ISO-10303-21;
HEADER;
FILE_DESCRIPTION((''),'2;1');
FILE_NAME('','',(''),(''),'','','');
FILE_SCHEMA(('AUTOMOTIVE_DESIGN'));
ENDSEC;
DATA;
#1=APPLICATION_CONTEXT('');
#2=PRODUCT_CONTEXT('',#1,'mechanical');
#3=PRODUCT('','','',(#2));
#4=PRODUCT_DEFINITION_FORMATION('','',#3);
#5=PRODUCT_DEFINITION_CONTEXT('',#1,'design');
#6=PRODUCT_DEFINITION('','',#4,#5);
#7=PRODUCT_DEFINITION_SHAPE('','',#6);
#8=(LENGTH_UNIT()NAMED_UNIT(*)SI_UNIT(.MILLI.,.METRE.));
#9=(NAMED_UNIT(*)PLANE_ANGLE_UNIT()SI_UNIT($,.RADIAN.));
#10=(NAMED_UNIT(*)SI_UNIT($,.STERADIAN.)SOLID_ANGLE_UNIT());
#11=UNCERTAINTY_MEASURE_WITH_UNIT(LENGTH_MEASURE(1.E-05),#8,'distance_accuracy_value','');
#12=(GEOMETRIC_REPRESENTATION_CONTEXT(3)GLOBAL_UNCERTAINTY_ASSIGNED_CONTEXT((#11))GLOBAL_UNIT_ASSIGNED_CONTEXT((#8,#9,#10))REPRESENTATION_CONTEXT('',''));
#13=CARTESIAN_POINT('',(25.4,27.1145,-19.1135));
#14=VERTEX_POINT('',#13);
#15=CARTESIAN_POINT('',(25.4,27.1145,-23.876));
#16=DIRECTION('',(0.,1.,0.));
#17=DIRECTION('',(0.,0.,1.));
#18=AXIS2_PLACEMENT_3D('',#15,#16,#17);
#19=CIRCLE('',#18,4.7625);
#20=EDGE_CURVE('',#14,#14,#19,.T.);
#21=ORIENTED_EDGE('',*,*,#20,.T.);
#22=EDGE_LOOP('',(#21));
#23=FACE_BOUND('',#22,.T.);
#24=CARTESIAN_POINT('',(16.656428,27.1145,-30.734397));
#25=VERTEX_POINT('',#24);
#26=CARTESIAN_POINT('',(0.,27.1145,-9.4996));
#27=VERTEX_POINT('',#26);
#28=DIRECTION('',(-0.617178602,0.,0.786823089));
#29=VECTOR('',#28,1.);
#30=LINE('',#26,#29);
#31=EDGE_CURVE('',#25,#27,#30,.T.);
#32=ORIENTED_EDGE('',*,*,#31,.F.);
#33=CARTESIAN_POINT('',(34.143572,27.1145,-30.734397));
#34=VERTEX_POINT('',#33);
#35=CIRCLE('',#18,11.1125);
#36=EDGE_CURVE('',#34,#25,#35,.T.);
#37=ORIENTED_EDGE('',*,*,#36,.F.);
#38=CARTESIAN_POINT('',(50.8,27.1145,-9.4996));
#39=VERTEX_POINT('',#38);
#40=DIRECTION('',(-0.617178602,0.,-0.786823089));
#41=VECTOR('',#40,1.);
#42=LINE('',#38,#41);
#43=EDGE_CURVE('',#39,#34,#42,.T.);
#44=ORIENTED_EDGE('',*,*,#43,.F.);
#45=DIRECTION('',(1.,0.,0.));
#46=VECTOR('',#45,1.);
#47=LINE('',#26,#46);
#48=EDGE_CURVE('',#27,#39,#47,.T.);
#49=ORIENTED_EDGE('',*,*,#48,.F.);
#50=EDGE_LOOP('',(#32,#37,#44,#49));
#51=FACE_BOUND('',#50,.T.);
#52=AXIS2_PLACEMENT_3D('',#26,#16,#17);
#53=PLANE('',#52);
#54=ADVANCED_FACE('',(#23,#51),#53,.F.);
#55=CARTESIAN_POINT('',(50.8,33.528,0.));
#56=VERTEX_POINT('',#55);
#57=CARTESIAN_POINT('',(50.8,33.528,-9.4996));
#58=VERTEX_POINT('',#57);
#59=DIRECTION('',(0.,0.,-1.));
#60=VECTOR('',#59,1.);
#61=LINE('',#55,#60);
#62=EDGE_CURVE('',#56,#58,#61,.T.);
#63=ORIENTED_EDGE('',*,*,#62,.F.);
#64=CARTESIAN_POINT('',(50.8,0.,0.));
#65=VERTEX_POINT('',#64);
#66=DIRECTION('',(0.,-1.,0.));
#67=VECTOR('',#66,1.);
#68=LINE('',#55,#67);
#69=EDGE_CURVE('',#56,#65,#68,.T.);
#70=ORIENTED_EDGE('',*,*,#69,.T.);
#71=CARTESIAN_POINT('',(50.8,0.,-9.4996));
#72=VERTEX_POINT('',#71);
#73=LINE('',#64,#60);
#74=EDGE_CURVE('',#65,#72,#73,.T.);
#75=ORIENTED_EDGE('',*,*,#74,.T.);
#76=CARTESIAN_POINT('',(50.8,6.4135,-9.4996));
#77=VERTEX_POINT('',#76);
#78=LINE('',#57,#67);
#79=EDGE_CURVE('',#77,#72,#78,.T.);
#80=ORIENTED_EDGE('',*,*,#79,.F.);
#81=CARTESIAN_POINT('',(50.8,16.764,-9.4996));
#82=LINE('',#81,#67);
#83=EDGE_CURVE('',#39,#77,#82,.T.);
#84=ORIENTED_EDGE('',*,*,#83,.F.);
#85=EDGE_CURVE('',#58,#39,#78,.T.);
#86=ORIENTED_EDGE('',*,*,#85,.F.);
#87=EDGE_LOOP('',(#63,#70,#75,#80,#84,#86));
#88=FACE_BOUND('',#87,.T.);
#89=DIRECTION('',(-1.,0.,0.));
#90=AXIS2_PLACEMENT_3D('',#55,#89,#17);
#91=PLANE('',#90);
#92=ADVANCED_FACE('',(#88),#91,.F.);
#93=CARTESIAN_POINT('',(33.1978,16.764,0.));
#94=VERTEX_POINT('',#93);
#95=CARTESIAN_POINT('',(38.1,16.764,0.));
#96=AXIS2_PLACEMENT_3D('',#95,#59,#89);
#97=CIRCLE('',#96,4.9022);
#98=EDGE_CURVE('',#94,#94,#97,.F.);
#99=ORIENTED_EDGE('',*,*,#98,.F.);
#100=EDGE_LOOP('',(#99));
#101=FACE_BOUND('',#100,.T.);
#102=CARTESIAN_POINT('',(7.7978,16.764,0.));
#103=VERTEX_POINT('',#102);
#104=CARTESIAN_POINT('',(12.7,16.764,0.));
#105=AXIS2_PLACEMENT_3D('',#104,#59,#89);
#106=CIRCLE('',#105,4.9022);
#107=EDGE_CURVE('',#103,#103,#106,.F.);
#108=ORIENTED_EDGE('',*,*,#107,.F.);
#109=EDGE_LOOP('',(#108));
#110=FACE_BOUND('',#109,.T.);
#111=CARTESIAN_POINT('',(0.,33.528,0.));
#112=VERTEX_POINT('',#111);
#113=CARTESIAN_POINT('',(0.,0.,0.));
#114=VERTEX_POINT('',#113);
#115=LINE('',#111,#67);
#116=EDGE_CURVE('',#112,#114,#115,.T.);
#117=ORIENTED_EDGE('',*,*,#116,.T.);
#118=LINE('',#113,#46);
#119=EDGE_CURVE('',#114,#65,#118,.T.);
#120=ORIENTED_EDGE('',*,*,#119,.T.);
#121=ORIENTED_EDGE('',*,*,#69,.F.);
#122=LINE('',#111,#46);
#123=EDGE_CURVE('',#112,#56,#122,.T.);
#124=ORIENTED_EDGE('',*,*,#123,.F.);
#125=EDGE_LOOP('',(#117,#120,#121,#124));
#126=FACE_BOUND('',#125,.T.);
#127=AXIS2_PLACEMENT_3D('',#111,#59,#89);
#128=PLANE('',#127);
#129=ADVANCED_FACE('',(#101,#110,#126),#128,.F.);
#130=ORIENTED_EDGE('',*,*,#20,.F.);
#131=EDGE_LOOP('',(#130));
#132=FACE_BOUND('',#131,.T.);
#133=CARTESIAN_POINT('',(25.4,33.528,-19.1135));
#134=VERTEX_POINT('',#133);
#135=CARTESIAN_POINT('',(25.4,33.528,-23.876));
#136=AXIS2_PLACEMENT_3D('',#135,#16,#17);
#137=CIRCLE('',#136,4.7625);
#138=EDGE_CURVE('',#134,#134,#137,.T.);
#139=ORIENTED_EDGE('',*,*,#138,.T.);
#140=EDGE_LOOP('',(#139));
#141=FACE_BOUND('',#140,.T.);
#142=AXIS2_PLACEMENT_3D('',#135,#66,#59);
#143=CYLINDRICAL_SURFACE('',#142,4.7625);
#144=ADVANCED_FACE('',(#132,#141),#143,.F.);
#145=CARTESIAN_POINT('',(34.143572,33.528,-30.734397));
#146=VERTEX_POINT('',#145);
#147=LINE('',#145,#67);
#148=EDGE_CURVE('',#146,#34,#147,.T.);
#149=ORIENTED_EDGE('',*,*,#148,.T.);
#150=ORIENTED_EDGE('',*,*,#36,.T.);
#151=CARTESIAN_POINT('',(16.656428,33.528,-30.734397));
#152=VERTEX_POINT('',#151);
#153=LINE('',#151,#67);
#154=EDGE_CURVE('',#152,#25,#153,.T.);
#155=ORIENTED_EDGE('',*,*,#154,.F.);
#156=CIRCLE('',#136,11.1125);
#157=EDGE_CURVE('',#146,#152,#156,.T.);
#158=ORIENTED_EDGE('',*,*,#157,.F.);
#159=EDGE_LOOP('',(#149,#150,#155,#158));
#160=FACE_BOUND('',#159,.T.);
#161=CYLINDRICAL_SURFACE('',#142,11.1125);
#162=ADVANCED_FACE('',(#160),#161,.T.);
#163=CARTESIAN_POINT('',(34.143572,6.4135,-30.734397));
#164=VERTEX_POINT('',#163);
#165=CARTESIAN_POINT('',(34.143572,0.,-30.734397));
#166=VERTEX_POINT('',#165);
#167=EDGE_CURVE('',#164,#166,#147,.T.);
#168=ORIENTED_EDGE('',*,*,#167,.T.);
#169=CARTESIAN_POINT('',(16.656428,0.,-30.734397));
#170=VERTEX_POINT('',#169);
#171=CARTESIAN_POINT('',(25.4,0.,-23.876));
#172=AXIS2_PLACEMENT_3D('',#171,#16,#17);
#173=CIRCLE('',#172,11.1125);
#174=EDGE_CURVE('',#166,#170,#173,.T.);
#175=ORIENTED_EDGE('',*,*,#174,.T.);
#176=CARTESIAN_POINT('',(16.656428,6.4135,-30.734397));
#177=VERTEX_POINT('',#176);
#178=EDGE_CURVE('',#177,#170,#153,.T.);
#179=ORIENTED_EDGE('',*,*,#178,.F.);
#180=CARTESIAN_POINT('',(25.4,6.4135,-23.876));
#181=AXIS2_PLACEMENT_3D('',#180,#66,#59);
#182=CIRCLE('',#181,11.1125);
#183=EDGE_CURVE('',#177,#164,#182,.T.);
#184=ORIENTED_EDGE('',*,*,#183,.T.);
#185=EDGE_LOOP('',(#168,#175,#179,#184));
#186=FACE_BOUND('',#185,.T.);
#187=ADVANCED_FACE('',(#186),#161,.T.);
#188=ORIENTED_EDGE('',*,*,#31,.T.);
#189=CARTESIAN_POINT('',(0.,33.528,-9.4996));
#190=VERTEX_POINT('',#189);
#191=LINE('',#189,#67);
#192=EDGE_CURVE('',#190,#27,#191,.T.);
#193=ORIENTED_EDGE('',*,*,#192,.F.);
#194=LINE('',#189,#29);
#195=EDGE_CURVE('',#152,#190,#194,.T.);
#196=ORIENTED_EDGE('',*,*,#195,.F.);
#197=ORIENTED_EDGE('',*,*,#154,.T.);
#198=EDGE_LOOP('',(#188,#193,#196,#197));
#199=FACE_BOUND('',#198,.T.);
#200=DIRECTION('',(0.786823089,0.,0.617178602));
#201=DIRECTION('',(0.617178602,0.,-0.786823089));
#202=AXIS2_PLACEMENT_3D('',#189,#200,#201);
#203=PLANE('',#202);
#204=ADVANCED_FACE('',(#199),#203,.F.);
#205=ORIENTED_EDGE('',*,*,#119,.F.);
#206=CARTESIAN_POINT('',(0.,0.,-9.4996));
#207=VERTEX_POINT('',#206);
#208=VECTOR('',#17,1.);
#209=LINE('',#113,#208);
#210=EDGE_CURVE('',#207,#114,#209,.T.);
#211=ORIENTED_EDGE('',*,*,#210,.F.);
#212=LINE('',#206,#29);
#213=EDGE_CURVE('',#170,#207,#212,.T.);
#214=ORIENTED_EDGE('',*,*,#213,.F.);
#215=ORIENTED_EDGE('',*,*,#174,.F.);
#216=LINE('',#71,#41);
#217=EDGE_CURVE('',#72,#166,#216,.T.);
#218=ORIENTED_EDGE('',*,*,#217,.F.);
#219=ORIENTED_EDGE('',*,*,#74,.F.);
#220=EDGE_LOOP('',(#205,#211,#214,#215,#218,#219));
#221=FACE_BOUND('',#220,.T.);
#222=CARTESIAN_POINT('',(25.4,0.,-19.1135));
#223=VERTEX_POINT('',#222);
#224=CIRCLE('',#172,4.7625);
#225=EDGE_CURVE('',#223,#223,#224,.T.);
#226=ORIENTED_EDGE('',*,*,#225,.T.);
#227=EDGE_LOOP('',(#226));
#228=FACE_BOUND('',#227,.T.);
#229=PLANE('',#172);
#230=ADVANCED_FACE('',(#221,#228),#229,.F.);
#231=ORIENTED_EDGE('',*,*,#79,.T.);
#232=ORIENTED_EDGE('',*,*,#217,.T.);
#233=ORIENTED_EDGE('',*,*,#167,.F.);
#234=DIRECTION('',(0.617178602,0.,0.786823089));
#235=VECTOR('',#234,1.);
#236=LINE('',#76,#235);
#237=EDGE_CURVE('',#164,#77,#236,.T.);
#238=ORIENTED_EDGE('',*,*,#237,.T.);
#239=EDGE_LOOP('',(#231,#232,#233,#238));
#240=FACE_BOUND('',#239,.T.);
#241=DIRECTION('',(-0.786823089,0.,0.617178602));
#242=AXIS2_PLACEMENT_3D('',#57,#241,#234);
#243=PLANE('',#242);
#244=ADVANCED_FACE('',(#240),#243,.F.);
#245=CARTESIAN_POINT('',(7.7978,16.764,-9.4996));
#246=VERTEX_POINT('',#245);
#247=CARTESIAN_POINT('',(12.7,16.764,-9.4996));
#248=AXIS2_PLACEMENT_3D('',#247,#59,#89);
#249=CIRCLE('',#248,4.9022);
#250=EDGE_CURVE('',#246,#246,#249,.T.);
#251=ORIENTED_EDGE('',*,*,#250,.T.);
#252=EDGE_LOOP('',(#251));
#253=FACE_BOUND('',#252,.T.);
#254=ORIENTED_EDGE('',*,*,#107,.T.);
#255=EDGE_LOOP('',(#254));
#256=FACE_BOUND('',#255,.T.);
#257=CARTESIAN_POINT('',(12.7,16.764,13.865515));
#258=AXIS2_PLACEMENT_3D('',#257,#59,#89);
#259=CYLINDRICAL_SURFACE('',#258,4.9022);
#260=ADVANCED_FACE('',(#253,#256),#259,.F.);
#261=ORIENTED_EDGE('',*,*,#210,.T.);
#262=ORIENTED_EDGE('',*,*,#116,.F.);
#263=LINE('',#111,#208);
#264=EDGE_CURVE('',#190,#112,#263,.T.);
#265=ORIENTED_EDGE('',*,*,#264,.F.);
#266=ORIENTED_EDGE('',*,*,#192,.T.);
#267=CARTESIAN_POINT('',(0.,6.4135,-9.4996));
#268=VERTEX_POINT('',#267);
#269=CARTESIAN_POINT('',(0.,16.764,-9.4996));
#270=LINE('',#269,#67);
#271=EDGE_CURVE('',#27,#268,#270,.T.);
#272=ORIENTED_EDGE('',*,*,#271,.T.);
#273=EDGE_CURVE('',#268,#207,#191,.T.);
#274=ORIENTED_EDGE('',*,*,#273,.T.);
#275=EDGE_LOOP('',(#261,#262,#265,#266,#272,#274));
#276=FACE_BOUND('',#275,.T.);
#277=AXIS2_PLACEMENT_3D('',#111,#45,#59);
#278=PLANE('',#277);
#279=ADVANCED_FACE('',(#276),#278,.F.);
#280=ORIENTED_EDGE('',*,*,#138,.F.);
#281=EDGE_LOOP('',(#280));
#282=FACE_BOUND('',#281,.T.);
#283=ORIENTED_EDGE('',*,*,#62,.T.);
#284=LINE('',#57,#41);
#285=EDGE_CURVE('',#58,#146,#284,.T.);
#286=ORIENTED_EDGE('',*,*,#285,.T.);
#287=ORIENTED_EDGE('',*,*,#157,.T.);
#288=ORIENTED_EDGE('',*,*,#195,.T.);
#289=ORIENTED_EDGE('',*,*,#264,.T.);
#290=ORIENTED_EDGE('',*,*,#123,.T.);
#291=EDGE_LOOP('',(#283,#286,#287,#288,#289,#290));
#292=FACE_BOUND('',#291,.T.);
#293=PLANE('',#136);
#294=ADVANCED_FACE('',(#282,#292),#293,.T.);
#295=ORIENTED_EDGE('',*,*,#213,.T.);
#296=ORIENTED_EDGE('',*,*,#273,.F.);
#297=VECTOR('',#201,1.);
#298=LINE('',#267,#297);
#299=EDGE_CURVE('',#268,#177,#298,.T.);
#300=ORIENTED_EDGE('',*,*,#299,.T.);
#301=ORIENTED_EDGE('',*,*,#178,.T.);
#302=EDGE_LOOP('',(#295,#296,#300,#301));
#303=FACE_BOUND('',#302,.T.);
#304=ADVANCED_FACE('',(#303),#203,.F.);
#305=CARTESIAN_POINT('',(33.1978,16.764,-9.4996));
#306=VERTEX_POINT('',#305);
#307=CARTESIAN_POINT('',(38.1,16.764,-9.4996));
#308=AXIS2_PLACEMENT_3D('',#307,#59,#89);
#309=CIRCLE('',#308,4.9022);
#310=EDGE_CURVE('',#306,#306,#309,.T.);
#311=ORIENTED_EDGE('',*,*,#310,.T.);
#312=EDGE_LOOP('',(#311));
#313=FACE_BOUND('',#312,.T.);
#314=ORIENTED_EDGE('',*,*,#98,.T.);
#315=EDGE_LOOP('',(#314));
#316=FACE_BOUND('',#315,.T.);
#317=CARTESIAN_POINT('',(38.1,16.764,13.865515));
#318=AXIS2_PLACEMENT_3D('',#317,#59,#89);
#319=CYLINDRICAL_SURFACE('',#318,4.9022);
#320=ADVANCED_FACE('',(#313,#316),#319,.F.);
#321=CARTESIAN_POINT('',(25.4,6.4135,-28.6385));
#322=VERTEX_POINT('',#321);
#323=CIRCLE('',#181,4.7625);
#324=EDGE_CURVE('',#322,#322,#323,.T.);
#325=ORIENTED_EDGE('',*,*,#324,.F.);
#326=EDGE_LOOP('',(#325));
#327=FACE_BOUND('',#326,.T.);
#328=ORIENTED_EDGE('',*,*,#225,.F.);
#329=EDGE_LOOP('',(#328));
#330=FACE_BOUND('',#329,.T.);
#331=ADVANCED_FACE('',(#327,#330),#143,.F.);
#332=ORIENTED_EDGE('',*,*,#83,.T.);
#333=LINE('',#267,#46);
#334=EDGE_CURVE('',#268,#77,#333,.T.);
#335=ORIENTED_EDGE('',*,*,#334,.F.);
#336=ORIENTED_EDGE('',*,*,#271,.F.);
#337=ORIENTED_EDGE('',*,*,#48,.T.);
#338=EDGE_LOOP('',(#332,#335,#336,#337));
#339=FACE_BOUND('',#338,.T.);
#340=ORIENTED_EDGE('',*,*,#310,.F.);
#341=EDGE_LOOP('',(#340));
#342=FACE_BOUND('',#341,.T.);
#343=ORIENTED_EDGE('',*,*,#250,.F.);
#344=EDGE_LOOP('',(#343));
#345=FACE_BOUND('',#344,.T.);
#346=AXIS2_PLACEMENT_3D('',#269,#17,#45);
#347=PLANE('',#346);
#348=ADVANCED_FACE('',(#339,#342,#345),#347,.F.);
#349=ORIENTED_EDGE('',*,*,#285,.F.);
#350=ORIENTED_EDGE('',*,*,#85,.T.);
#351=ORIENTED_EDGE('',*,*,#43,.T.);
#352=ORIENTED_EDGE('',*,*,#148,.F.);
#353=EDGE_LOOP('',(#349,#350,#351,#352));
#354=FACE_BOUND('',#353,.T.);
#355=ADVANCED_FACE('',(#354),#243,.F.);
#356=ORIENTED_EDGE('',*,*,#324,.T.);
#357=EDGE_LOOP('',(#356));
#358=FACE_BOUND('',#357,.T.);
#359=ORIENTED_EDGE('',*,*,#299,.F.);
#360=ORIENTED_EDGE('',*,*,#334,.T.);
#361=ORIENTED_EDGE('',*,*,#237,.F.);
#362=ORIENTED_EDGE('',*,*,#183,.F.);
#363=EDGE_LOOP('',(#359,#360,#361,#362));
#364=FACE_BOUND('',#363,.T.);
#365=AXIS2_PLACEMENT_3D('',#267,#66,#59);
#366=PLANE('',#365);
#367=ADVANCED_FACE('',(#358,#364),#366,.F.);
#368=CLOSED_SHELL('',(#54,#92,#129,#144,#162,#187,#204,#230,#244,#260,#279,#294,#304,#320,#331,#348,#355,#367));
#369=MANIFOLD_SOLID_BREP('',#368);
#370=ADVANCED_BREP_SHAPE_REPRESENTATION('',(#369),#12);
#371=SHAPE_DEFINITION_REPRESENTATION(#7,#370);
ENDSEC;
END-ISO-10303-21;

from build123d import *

# Parameters (mm, degrees)
SKETCH1_R           = 4.7625
BOSS_EXTRUDE1_DEPTH = 33.528
CUT_EXTRUDE1_DEPTH  = 71.206566048
SKETCH3_R           = 4.9022
CUT_EXTRUDE2_DEPTH  = 9.4996


with BuildPart() as part:
    # Sketch1 → Boss-Extrude1 (new body)
    with BuildSketch(Plane(origin=(0, 0, 0), x_dir=(1, 0, 0), z_dir=(0, 1, 0))):
        with BuildLine():
            Line((0, 0), (50.8, 0))
            Line((50.8, 0), (50.8, 9.4996))
            Line((50.8, 9.4996), (34.143571574, 30.734397216))
            ThreePointArc((34.143571574, 30.734397216), (25.4, 34.9885), (16.656428426, 30.734397216))
            Line((16.656428426, 30.734397216), (0, 9.4996))
            Line((0, 9.4996), (0, 0))
        make_face()
        with Locations(Location((25.4, 23.876, 0), (0, 0, 270))):
            Circle(SKETCH1_R, mode=Mode.SUBTRACT)
    extrude(amount=BOSS_EXTRUDE1_DEPTH)

    # Sketch2 → Cut-Extrude1 (cut, through all)
    with BuildSketch(Plane(origin=(50.8, 0, 0), x_dir=(0, 0, -1), z_dir=(1, 0, 0))):
        Polygon((9.4996, 16.764), (9.4996, 27.1145), (34.9885, 27.1145), (34.9885, 6.4135), (9.4996, 6.4135), align=None)
    extrude(amount=-CUT_EXTRUDE1_DEPTH, mode=Mode.SUBTRACT)

    # Sketch3 → Cut-Extrude2 (cut)
    with BuildSketch(Plane(origin=(0, 0, -9.4996), x_dir=(-1, 0, 0), z_dir=(0, 0, -1))):
        with Locations((-38.1, 16.764)):
            Circle(SKETCH3_R)
        with Locations((-12.7, 16.764)):
            Circle(SKETCH3_R)
    extrude(amount=-CUT_EXTRUDE2_DEPTH, mode=Mode.SUBTRACT)


solid = part.part
